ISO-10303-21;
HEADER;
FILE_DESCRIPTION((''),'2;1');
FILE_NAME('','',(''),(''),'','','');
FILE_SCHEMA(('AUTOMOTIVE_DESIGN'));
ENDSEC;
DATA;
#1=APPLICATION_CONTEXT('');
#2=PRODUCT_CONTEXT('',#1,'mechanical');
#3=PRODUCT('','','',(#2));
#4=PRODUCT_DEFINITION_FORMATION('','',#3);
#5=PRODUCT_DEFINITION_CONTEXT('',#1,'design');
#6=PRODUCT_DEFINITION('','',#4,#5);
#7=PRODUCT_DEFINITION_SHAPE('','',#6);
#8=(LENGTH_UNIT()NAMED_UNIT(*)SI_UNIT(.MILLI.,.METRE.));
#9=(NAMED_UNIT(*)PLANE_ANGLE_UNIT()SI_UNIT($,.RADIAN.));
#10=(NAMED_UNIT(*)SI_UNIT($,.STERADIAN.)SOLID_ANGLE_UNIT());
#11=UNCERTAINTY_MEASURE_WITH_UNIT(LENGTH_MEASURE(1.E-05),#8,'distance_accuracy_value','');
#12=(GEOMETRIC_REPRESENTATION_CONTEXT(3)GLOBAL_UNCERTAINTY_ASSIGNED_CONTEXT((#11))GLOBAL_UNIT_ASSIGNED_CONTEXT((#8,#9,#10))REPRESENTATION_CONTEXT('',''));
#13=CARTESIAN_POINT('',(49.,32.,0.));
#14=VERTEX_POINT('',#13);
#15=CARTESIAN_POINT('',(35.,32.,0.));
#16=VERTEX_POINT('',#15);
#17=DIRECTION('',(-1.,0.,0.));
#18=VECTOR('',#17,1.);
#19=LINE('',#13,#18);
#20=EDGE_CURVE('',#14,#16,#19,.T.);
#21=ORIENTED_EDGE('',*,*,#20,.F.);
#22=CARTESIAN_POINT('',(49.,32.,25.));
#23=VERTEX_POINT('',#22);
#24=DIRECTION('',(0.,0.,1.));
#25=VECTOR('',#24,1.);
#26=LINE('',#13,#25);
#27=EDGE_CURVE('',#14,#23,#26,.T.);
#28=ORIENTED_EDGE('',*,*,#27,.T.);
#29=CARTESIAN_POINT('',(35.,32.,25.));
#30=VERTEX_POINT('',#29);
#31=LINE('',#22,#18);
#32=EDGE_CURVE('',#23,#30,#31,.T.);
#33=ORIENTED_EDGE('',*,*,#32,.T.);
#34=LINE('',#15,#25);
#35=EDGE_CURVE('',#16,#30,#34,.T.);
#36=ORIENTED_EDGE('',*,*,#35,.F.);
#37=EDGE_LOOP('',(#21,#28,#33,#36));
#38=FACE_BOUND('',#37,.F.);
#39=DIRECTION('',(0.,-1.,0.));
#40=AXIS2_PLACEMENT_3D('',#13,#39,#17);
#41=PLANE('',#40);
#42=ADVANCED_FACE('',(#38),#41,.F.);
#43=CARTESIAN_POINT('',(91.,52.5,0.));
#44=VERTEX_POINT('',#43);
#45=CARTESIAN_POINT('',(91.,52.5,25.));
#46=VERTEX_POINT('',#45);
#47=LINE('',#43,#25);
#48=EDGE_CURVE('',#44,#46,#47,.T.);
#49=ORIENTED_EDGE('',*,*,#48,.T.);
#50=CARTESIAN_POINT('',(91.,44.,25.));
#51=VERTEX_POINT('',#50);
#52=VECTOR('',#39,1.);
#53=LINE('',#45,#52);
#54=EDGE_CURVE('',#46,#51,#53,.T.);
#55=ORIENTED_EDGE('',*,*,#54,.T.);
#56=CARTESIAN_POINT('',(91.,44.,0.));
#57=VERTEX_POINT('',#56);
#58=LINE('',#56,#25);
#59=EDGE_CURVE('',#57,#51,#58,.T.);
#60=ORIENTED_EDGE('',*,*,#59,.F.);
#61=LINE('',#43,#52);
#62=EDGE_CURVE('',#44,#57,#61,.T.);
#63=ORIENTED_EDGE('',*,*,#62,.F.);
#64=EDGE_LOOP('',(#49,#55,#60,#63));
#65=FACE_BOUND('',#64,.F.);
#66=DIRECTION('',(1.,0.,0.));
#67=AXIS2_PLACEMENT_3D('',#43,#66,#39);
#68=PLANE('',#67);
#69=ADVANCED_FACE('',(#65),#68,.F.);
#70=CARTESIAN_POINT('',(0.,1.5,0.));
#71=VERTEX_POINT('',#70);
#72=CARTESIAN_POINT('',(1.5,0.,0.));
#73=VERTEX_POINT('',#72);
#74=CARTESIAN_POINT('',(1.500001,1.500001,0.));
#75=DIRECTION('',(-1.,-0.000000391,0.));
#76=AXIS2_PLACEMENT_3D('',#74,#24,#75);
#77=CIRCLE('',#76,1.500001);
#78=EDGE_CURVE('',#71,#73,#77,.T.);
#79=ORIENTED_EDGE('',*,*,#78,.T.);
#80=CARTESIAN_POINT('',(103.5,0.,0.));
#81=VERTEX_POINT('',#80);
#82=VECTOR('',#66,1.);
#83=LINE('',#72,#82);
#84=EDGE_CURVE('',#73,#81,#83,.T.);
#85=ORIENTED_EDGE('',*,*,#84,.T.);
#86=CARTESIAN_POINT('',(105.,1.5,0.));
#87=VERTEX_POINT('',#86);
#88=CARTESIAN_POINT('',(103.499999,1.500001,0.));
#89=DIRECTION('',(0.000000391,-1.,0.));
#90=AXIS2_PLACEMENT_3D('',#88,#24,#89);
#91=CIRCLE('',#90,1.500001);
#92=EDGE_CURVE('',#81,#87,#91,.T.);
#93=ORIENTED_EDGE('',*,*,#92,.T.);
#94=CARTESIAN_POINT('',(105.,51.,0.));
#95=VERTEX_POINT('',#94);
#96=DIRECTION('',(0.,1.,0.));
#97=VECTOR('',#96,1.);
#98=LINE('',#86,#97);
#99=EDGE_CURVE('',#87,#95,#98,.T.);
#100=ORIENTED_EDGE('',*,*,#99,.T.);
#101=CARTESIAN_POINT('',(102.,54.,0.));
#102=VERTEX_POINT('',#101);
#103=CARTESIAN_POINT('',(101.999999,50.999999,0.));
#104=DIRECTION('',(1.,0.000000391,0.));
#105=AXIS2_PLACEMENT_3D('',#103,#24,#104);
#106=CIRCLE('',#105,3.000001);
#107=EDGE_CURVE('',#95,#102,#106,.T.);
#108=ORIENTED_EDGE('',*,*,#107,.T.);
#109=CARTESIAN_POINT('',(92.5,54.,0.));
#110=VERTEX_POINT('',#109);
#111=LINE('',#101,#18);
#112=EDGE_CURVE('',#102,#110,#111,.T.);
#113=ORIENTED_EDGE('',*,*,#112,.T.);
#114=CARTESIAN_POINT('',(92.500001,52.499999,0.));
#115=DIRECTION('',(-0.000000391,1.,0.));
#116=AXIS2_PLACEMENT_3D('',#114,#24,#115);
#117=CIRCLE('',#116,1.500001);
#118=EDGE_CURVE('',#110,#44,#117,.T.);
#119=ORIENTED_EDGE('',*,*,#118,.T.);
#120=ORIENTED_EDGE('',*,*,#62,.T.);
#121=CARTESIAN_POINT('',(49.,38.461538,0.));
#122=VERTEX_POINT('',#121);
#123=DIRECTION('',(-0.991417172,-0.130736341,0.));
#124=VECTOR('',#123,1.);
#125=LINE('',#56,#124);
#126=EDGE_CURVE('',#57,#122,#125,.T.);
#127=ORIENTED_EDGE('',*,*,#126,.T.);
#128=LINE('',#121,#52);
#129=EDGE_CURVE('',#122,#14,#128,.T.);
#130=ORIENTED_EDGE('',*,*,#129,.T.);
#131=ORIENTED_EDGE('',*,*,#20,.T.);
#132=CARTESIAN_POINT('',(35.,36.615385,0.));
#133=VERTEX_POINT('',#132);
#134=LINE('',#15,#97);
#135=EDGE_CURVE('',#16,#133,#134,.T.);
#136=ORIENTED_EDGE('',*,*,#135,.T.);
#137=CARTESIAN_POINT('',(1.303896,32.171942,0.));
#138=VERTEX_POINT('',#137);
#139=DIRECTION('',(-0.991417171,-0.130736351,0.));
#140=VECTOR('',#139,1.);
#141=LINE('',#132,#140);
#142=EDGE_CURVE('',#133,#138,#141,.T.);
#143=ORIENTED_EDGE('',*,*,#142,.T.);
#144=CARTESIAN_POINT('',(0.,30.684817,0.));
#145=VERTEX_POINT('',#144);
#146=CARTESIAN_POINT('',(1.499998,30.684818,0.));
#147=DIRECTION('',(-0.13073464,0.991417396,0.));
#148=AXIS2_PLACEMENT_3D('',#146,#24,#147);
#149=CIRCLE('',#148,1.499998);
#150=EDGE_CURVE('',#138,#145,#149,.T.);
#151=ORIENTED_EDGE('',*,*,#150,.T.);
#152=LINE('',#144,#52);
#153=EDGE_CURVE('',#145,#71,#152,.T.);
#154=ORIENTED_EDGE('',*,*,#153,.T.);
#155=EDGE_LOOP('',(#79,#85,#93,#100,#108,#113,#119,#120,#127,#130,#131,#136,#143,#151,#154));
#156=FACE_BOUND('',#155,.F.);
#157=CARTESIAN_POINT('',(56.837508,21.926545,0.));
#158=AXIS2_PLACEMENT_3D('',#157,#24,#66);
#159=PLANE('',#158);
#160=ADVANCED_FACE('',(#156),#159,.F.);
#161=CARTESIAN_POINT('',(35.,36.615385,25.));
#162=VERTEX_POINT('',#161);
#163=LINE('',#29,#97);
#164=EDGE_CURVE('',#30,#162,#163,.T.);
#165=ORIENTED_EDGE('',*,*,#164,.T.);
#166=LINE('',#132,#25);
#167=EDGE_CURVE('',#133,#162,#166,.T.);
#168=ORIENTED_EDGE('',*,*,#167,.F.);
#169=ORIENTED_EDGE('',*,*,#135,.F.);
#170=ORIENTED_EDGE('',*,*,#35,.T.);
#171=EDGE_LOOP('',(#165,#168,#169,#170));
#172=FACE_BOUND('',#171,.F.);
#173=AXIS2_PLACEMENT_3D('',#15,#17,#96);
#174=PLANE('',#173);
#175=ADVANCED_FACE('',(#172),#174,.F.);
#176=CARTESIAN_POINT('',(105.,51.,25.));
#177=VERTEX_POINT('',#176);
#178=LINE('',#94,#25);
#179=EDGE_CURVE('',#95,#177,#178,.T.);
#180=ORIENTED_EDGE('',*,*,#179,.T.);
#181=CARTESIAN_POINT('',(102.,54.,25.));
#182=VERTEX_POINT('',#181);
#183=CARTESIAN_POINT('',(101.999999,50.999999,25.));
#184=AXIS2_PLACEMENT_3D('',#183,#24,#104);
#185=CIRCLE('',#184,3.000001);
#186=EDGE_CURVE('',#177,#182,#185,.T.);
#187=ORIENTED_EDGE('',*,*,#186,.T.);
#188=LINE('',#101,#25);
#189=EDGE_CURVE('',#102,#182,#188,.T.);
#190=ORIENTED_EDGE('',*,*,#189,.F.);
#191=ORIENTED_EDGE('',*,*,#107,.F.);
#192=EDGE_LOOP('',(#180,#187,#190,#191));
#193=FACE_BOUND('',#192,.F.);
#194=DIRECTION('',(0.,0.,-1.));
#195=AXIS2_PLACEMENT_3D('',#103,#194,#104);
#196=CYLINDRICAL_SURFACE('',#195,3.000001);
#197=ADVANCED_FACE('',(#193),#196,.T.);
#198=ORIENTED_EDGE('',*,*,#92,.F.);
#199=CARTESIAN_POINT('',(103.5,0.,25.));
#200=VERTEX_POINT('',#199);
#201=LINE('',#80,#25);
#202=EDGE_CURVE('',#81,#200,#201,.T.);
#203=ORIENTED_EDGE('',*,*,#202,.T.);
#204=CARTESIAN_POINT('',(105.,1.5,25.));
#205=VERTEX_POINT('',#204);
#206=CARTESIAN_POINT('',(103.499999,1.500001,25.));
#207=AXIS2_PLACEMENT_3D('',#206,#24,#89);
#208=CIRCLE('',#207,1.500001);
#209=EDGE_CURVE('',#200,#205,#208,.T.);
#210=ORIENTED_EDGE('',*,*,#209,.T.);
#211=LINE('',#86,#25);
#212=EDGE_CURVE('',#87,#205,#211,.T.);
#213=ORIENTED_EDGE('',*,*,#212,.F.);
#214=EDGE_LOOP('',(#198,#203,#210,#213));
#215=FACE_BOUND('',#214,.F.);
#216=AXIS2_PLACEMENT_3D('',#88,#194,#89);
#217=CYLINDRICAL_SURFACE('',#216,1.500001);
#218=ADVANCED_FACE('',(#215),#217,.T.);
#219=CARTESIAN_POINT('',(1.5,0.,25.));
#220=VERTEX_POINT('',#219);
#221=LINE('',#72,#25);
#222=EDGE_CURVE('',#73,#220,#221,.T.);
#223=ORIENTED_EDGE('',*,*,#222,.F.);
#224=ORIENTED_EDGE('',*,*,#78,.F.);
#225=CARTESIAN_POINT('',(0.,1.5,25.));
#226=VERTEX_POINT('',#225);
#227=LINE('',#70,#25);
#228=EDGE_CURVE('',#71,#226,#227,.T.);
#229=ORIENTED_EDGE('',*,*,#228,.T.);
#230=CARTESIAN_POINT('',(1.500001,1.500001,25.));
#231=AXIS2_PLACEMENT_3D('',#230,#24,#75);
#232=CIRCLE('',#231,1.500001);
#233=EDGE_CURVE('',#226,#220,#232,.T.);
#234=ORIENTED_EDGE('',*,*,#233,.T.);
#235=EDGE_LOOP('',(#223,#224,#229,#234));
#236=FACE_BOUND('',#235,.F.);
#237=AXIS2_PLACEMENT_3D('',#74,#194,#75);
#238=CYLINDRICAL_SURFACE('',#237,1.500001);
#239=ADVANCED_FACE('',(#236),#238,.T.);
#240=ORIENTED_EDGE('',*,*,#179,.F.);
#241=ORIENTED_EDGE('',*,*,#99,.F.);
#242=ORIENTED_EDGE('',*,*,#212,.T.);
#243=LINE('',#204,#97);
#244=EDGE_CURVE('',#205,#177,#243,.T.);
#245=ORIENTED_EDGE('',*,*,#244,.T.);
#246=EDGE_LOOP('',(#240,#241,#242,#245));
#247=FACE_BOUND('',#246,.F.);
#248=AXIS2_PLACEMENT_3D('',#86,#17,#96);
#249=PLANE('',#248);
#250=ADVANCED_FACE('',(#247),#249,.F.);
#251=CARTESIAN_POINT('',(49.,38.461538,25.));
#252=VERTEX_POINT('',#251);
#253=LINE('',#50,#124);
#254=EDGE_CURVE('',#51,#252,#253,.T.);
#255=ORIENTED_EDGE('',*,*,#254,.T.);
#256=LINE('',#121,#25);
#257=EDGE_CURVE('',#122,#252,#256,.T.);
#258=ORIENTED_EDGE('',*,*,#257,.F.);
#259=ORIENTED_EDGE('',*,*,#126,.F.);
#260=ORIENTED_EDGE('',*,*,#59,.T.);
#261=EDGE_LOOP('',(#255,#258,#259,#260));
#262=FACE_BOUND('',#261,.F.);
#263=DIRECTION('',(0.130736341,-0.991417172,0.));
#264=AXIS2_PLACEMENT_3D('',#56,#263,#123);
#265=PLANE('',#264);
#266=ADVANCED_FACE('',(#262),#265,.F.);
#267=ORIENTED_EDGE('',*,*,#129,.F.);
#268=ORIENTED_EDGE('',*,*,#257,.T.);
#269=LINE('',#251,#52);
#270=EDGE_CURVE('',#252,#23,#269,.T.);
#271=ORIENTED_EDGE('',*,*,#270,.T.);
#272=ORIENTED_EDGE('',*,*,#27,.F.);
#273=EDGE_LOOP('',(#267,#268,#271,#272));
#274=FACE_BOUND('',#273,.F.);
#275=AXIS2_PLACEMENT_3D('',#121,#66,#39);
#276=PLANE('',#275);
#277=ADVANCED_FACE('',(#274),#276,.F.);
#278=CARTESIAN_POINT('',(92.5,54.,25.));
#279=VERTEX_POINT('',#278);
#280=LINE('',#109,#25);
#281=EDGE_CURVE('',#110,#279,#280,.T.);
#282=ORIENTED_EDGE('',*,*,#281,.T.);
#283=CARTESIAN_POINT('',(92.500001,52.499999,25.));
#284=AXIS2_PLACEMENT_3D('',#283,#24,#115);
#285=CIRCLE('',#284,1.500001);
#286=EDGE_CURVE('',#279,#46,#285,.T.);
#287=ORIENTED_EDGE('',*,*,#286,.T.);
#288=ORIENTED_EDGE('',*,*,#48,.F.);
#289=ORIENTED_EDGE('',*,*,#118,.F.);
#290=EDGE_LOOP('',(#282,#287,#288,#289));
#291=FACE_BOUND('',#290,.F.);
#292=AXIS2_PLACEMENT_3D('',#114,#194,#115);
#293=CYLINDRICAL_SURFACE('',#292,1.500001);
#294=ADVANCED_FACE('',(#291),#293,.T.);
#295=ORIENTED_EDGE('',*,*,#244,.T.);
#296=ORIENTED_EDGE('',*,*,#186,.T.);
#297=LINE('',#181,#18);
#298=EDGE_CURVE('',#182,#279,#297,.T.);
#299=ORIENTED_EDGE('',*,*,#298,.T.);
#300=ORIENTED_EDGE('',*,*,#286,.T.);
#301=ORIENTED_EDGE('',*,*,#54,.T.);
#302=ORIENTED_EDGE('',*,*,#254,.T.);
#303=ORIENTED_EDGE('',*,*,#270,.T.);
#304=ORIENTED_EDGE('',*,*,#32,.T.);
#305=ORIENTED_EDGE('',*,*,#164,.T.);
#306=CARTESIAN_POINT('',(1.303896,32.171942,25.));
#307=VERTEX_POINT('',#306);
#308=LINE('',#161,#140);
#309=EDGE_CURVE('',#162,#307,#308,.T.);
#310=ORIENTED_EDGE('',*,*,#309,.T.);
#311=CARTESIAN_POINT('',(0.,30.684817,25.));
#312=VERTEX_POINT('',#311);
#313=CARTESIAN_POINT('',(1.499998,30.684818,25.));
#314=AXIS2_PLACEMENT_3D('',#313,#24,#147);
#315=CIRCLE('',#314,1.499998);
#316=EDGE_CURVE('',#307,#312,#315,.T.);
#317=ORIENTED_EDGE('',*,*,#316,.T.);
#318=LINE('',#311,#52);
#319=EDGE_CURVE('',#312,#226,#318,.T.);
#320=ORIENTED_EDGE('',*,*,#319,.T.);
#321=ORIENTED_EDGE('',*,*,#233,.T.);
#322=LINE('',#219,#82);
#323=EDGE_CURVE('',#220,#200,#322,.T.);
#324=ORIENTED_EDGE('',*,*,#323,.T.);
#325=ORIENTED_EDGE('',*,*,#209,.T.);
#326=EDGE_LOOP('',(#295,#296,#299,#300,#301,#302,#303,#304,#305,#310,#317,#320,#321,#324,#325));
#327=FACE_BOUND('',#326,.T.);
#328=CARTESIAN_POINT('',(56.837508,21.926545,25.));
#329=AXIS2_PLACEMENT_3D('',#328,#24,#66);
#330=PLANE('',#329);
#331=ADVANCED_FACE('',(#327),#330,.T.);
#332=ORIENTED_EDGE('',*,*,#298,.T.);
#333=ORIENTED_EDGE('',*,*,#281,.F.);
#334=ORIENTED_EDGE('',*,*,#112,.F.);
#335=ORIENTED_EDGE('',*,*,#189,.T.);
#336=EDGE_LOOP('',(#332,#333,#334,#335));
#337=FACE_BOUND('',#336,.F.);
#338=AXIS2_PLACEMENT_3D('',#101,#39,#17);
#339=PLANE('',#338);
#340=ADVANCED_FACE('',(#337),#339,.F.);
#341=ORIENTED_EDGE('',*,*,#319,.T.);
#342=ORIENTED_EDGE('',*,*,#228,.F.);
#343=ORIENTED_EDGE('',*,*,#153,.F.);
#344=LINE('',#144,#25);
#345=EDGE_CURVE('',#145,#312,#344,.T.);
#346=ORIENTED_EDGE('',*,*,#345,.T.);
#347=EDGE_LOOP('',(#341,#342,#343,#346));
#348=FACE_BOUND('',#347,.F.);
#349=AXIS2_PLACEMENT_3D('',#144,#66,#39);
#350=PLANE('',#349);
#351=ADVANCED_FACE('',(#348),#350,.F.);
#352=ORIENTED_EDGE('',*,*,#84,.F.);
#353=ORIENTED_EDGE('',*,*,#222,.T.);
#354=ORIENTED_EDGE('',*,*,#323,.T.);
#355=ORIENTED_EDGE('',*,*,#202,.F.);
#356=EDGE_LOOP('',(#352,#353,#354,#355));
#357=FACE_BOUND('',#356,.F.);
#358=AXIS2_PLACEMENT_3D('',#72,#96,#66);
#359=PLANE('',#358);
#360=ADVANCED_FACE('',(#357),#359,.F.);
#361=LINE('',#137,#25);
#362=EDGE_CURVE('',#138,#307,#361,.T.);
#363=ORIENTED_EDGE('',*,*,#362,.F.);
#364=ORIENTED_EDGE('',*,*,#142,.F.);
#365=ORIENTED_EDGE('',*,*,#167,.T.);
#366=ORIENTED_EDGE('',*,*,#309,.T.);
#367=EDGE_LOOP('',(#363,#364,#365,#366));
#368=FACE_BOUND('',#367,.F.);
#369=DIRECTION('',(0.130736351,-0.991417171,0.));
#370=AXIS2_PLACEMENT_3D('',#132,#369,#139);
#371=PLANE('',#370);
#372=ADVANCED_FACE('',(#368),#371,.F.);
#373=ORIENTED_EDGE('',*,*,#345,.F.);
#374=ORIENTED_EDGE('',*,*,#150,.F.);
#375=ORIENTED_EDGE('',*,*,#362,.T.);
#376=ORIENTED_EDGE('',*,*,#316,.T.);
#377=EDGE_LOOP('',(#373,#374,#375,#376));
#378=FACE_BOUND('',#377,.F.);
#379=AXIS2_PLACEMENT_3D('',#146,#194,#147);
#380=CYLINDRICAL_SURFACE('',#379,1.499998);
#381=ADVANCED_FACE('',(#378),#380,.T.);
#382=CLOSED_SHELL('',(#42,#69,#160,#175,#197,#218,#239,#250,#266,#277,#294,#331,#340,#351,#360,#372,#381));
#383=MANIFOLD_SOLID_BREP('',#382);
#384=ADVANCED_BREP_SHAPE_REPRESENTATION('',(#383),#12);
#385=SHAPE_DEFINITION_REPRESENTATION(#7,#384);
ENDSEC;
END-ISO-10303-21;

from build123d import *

# Parameters (mm, degrees)
F1_DEPTH = 25


with BuildPart() as f1:
    # F0 (on Top) → F1 (new body)
    with BuildSketch(Plane.XY):
        with BuildLine():
            ThreePointArc((0, 1.5), (0.43934, 0.43934), (1.5, 0))
            Line((1.5, 0), (103.5, 0))
            ThreePointArc((103.5, 0), (104.56066, 0.43934), (105, 1.5))
            Line((105, 1.5), (105, 51))
            ThreePointArc((105, 51), (104.12132, 53.12132), (102, 54))
            Line((102, 54), (92.5, 54))
            ThreePointArc((92.5, 54), (91.43934, 53.56066), (91, 52.5))
            Line((91, 52.5), (91, 44))
            Line((91, 44), (49, 38.461538))
            Line((49, 38.461538), (49, 32))
            Line((49, 32), (35, 32))
            Line((35, 32), (35, 36.615385))
            Line((35, 36.615385), (1.303896, 32.171942))
            ThreePointArc((1.303896, 32.171942), (0.372135, 31.673716), (0, 30.684817))
            Line((0, 30.684817), (0, 1.5))
        make_face()
    extrude(amount=F1_DEPTH)


solid = f1.part
